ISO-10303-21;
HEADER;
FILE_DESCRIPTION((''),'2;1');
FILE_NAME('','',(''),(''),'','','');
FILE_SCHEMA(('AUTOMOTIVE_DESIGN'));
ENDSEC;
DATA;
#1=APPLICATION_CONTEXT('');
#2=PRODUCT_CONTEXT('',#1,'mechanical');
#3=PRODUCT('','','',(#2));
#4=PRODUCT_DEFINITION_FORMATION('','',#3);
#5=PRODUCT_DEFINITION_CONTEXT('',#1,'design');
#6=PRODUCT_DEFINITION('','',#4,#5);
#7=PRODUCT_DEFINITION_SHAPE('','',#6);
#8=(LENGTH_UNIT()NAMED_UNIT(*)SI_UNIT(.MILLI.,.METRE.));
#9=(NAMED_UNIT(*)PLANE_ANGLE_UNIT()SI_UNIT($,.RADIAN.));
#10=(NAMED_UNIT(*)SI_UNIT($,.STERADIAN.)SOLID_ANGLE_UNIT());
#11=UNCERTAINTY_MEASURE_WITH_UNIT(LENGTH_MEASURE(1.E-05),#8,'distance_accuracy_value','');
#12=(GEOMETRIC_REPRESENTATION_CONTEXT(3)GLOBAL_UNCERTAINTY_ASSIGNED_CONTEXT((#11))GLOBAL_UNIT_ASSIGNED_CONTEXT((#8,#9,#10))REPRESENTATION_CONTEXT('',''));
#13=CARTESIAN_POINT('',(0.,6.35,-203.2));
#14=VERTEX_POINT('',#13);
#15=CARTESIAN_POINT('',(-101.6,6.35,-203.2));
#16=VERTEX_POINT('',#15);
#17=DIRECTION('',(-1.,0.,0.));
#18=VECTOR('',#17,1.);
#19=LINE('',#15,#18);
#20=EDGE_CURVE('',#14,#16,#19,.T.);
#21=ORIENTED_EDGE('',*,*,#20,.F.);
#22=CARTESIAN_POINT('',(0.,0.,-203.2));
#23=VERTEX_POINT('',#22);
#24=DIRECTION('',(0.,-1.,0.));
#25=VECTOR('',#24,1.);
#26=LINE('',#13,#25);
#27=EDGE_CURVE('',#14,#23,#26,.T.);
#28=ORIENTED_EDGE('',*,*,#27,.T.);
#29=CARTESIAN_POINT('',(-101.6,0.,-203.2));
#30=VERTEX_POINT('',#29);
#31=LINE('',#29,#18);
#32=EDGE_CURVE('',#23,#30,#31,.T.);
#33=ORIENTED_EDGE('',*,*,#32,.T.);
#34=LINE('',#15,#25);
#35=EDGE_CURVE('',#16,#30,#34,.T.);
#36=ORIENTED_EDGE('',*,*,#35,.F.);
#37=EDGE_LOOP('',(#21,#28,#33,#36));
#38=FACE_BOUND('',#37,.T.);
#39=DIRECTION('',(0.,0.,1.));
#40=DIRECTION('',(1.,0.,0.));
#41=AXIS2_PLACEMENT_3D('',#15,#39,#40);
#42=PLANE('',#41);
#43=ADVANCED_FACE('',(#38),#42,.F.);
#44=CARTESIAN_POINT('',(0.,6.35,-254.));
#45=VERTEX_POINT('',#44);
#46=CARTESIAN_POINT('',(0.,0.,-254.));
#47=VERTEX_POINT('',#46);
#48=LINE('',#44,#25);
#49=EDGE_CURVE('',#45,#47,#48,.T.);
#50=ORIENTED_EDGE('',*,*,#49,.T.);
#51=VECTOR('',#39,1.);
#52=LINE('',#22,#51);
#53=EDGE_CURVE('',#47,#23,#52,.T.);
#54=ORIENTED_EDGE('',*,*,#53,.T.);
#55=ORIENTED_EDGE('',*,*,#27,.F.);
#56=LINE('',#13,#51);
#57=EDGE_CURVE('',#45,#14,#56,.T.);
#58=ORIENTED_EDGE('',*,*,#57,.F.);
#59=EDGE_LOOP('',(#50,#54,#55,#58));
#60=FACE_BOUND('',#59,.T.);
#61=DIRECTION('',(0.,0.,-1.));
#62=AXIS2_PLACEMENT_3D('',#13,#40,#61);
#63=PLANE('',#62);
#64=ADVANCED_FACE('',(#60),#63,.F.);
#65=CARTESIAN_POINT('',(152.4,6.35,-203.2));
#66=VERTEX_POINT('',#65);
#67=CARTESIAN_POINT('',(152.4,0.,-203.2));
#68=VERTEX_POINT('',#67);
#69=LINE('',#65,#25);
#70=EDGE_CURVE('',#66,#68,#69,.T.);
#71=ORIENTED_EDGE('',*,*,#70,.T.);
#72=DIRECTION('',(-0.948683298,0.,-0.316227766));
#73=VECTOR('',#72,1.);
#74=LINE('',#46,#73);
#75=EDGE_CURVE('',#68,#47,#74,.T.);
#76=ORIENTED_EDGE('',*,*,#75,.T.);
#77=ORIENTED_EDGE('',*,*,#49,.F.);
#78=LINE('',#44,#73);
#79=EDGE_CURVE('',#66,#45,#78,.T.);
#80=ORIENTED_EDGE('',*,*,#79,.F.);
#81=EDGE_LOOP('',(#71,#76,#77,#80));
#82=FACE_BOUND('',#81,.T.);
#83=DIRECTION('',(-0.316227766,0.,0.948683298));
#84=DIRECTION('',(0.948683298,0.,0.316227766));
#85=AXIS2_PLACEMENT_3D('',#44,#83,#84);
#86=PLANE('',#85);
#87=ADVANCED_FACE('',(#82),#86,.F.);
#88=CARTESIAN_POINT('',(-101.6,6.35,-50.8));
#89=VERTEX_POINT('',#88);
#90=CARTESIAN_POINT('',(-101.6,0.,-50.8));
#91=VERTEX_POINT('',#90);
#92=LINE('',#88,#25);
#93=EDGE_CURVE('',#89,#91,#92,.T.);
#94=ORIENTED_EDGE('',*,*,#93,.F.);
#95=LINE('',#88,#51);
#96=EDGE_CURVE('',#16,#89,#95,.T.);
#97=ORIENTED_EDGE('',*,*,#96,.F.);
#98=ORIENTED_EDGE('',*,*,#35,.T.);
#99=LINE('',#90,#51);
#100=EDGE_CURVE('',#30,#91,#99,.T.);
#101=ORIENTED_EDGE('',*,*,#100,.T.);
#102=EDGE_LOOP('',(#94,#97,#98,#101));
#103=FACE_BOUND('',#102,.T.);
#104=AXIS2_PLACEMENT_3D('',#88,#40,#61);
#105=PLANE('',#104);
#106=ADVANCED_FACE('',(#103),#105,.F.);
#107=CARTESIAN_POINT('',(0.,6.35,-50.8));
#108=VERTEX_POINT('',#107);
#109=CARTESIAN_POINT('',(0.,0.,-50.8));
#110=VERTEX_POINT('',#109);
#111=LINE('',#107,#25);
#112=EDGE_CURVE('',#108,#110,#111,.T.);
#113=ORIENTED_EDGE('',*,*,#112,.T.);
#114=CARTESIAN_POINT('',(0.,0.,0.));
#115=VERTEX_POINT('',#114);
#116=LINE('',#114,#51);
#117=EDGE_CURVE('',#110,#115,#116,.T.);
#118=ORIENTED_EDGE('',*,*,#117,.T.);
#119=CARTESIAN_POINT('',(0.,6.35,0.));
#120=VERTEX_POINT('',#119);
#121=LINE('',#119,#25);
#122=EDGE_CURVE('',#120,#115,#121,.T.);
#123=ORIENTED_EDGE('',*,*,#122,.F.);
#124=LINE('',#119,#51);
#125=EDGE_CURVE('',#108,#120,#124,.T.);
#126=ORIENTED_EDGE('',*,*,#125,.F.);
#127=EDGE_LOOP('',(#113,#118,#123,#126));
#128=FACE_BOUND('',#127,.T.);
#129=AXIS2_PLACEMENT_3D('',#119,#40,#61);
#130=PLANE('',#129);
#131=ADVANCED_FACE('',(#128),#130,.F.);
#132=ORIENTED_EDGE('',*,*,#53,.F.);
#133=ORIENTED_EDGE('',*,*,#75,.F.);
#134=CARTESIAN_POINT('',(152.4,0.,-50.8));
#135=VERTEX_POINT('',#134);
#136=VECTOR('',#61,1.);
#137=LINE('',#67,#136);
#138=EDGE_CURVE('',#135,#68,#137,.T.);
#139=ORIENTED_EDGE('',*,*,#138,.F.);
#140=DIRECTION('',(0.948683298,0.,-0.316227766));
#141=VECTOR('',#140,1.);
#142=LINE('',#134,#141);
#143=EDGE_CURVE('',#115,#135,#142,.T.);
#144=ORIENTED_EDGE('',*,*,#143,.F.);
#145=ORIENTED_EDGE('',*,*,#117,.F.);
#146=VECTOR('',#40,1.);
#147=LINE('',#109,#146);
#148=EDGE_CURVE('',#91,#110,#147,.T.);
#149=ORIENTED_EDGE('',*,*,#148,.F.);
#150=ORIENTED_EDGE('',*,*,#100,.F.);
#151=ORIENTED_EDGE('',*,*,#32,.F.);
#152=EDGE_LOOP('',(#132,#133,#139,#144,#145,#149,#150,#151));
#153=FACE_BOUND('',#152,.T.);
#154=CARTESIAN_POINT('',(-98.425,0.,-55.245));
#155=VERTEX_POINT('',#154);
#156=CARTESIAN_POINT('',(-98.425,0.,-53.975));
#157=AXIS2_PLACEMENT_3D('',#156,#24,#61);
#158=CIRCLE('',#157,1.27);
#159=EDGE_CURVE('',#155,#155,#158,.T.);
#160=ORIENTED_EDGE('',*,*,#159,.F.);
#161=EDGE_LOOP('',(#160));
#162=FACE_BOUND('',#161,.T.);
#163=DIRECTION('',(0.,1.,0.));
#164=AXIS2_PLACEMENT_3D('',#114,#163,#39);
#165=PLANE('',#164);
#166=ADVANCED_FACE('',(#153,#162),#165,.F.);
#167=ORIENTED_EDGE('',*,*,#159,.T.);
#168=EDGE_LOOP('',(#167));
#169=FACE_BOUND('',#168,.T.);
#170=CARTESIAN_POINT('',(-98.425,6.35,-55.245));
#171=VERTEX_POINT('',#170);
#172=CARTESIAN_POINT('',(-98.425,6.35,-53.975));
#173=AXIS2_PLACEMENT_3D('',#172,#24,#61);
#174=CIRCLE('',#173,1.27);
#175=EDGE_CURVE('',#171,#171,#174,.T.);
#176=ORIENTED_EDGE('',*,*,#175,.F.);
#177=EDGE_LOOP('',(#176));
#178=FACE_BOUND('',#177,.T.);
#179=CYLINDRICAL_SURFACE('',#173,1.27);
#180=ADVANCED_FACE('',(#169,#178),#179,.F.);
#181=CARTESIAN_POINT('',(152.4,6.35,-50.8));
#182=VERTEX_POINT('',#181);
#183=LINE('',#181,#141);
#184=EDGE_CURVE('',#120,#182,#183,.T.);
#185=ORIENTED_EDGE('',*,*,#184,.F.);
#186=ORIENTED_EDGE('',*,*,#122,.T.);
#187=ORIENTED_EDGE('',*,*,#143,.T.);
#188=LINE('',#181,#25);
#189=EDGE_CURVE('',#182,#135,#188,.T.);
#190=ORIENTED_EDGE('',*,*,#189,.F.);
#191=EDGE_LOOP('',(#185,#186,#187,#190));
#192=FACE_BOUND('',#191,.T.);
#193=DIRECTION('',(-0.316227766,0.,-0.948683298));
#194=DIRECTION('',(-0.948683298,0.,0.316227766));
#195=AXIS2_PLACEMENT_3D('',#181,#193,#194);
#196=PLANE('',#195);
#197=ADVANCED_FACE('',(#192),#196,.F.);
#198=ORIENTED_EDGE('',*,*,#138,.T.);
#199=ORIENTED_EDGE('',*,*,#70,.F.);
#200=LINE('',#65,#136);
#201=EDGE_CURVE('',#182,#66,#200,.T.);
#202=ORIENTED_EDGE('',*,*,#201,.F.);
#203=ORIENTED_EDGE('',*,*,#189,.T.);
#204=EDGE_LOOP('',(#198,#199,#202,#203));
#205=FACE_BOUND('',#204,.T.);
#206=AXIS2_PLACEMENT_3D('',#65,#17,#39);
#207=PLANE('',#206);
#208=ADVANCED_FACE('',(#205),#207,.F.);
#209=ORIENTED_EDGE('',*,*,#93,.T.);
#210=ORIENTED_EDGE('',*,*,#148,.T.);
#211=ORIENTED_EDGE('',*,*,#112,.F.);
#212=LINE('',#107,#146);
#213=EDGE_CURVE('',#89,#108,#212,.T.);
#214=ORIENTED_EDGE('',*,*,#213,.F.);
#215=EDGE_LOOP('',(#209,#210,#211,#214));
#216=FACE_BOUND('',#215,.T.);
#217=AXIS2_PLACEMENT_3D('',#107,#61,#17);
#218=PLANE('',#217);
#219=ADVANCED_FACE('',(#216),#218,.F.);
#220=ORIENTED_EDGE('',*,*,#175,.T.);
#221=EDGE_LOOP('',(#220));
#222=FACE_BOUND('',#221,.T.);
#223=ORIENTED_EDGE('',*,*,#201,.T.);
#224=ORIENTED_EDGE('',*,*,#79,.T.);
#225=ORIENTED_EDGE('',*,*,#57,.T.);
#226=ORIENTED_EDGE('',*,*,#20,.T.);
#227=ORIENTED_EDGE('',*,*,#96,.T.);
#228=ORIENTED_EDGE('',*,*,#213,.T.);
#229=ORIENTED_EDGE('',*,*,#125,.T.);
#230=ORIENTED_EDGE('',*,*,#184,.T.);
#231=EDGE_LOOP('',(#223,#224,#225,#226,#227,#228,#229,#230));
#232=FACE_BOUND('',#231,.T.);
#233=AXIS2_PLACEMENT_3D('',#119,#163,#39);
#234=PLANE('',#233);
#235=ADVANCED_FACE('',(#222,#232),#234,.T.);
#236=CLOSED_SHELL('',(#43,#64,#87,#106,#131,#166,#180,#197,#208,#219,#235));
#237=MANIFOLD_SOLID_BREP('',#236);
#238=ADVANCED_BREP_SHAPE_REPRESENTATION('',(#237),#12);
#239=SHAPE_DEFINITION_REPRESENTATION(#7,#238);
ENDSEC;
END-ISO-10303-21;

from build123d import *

# Parameters (mm, degrees)
MAIN_FIN_DEPTH = 6.35
SKETCH2_R      = 1.27
PIN_HOLE_DEPTH = 7.35


with BuildPart() as part:
    # Sketch1 → Main fin (new body)
    with BuildSketch(Plane(origin=(0, 0, 0), x_dir=(1, 0, 0), z_dir=(0, 1, 0))):
        Polygon((0, 254), (152.4, 203.2), (152.4, 50.8), (0, 0), (0, 50.8), (-101.6, 50.8), (-101.6, 203.2), (0, 203.2), align=None)
    extrude(amount=MAIN_FIN_DEPTH)

    # Sketch2 → Pin hole (cut, through all)
    with BuildSketch(Plane(origin=(0, 0, 0), x_dir=(-1, 0, 0), z_dir=(0, -1, 0))):
        with Locations((98.425, 53.975)):
            Circle(SKETCH2_R)
    extrude(amount=-PIN_HOLE_DEPTH, mode=Mode.SUBTRACT)


solid = part.part
